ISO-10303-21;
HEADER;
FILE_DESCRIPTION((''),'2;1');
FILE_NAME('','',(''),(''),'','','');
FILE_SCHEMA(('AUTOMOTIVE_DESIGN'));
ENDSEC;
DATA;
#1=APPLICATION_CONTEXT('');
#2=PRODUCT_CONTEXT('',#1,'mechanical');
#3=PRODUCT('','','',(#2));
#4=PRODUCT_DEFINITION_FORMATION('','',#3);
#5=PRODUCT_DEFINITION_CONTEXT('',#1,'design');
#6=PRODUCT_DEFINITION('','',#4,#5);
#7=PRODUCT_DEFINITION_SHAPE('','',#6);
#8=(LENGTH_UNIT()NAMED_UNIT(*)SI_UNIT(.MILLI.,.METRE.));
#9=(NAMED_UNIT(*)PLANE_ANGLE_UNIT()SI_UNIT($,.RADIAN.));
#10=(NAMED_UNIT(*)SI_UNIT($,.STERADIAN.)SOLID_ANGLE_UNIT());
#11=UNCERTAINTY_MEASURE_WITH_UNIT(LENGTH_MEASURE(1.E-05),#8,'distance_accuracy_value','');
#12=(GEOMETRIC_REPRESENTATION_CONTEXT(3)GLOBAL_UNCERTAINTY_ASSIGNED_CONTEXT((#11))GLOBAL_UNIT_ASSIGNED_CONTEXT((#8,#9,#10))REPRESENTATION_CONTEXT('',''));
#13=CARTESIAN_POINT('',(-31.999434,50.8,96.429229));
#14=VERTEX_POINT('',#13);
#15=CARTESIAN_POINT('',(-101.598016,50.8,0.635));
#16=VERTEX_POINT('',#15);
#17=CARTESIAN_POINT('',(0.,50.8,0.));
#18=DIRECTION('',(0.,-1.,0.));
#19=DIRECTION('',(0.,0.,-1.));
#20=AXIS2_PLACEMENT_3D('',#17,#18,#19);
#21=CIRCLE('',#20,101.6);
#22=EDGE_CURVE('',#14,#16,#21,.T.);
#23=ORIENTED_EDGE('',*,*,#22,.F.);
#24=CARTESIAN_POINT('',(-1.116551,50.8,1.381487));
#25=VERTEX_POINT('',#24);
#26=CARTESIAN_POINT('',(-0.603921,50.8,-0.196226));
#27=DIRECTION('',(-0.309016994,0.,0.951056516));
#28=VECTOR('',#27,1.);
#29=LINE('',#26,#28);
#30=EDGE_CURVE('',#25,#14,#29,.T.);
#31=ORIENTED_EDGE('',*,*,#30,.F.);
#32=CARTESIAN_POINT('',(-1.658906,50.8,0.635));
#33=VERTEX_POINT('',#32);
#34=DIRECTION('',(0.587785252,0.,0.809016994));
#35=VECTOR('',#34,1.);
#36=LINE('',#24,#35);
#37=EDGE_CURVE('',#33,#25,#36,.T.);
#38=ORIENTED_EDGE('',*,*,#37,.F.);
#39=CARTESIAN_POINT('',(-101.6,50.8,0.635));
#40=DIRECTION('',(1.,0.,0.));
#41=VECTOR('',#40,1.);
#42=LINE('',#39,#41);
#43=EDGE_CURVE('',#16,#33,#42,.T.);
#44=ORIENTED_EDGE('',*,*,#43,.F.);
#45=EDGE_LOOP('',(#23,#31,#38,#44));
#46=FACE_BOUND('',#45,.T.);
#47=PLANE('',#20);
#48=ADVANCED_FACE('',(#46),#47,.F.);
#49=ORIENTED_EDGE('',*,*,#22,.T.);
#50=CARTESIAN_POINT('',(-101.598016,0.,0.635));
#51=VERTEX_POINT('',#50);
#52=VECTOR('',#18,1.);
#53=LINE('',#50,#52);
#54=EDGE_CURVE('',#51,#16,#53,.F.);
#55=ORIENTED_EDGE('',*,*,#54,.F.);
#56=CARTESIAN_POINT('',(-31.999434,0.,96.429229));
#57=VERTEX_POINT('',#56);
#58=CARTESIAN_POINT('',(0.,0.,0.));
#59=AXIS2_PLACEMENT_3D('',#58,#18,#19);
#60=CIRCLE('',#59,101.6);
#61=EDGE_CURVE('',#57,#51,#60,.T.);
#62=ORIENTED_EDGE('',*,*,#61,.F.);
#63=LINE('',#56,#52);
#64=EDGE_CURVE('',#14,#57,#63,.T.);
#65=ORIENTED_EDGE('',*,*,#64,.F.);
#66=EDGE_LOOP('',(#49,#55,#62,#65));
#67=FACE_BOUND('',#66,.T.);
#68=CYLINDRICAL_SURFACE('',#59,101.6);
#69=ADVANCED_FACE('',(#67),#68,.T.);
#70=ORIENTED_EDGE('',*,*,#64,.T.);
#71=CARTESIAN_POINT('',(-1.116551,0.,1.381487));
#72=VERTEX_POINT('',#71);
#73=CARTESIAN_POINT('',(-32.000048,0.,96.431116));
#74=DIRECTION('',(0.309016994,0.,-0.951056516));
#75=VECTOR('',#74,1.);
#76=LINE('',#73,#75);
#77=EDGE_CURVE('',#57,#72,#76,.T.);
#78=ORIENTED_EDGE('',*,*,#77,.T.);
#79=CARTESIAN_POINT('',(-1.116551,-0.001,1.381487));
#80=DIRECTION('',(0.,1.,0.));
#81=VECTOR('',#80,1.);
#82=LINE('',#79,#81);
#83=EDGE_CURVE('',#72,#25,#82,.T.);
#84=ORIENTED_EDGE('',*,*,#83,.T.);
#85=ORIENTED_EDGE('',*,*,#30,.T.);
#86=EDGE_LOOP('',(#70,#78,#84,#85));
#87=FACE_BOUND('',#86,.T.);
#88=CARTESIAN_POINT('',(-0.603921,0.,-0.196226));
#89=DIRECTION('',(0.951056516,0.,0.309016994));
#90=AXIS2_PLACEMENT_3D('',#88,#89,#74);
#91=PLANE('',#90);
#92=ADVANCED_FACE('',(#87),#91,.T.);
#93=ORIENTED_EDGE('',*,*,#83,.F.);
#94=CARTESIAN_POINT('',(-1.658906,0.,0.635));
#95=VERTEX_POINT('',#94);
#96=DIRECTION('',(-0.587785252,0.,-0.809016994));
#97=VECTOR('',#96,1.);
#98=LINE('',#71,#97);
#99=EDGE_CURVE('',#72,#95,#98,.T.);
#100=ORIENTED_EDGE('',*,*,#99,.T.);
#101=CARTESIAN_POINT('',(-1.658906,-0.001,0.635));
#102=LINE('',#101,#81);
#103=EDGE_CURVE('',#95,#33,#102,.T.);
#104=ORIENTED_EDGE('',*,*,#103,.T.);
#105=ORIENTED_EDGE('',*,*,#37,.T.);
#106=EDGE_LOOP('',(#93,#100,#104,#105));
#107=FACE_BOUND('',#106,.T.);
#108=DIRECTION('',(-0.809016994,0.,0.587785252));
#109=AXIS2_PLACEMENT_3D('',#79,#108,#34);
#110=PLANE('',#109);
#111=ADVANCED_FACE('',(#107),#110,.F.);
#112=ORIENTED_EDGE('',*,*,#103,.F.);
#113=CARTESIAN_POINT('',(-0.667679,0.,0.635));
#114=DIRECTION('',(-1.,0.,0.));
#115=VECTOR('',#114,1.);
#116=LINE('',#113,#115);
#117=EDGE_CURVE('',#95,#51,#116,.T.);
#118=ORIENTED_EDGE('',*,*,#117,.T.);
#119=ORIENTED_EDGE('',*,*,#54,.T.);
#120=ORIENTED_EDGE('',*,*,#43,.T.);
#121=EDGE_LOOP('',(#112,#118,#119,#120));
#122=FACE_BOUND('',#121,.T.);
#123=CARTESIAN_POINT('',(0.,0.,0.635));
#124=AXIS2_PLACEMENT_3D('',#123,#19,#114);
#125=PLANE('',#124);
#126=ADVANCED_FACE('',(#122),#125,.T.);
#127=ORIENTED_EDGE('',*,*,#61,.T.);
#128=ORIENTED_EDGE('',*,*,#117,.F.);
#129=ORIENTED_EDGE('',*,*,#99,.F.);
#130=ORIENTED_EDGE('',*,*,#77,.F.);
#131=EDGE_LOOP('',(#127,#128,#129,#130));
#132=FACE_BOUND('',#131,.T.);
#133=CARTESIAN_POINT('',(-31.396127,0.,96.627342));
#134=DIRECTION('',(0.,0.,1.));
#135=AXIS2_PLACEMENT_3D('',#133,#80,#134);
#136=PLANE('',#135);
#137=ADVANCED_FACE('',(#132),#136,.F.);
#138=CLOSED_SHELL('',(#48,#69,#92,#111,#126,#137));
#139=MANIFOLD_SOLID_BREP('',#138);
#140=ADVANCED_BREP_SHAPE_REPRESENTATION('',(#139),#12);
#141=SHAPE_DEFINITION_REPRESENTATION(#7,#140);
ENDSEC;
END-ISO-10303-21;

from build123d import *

# Parameters (mm, degrees)
SKETCH1_W          = 101.6
SKETCH1_H          = 50.8
REVOLVE1_ANGLE     = 72
SKETCH2_W          = 101.6
SKETCH2_H          = 50.8
CUT_EXTRUDE1_DEPTH = 0.635
SKETCH3_W          = 100.932321488
SKETCH3_H          = 50.8
CUT_EXTRUDE2_DEPTH = 0.635
CUT_EXTRUDE3_REACH = 151.001


with BuildPart() as part:
    # Sketch1 → Revolve1 (revolve)
    with BuildSketch(Plane.XY):
        with Locations((-50.8, 25.4)):
            Rectangle(SKETCH1_W, SKETCH1_H)
    revolve(axis=Axis((0, 0, 0), (0, 1, 0)), revolution_arc=REVOLVE1_ANGLE)

    # Sketch2 → Cut-Extrude1 (cut)
    with BuildSketch(Plane(origin=(0, 0, 0), x_dir=(0.3090169943749449, 0, -0.9510565162951544), z_dir=(0.9510565162951544, 0, 0.3090169943749449))):
        with Locations((-50.8, 25.4)):
            Rectangle(SKETCH2_W, SKETCH2_H)
    extrude(amount=-CUT_EXTRUDE1_DEPTH, mode=Mode.SUBTRACT)

    # Sketch3 → Cut-Extrude2 (cut)
    with BuildSketch(Plane(origin=(0, 0, 0), x_dir=(-1, 0, 0), z_dir=(0, 0, -1))):
        with Locations((51.133839256, 25.4)):
            Rectangle(SKETCH3_W, SKETCH3_H)
    extrude(amount=-CUT_EXTRUDE2_DEPTH, mode=Mode.SUBTRACT)

    # Sketch4 → Cut-Extrude3 (cut, up to next)
    with BuildSketch(Plane(origin=(0, 50.8, 0), x_dir=(1, 0, 0), z_dir=(0, 1, 0)), mode=Mode.PRIVATE) as cut_extrude3_sk1:
        Polygon((-1.116550937, -1.38148727), (-1.658905685, -0.635), (-0.874002519, -0.635), align=None)
    cut_extrude3_tool1 = extrude(cut_extrude3_sk1.sketch, amount=-CUT_EXTRUDE3_REACH, mode=Mode.PRIVATE) & part.part
    add(cut_extrude3_tool1.solids().sort_by_distance((-1.216486, 50.8, 0.883829))[0], mode=Mode.SUBTRACT)


solid = part.part
